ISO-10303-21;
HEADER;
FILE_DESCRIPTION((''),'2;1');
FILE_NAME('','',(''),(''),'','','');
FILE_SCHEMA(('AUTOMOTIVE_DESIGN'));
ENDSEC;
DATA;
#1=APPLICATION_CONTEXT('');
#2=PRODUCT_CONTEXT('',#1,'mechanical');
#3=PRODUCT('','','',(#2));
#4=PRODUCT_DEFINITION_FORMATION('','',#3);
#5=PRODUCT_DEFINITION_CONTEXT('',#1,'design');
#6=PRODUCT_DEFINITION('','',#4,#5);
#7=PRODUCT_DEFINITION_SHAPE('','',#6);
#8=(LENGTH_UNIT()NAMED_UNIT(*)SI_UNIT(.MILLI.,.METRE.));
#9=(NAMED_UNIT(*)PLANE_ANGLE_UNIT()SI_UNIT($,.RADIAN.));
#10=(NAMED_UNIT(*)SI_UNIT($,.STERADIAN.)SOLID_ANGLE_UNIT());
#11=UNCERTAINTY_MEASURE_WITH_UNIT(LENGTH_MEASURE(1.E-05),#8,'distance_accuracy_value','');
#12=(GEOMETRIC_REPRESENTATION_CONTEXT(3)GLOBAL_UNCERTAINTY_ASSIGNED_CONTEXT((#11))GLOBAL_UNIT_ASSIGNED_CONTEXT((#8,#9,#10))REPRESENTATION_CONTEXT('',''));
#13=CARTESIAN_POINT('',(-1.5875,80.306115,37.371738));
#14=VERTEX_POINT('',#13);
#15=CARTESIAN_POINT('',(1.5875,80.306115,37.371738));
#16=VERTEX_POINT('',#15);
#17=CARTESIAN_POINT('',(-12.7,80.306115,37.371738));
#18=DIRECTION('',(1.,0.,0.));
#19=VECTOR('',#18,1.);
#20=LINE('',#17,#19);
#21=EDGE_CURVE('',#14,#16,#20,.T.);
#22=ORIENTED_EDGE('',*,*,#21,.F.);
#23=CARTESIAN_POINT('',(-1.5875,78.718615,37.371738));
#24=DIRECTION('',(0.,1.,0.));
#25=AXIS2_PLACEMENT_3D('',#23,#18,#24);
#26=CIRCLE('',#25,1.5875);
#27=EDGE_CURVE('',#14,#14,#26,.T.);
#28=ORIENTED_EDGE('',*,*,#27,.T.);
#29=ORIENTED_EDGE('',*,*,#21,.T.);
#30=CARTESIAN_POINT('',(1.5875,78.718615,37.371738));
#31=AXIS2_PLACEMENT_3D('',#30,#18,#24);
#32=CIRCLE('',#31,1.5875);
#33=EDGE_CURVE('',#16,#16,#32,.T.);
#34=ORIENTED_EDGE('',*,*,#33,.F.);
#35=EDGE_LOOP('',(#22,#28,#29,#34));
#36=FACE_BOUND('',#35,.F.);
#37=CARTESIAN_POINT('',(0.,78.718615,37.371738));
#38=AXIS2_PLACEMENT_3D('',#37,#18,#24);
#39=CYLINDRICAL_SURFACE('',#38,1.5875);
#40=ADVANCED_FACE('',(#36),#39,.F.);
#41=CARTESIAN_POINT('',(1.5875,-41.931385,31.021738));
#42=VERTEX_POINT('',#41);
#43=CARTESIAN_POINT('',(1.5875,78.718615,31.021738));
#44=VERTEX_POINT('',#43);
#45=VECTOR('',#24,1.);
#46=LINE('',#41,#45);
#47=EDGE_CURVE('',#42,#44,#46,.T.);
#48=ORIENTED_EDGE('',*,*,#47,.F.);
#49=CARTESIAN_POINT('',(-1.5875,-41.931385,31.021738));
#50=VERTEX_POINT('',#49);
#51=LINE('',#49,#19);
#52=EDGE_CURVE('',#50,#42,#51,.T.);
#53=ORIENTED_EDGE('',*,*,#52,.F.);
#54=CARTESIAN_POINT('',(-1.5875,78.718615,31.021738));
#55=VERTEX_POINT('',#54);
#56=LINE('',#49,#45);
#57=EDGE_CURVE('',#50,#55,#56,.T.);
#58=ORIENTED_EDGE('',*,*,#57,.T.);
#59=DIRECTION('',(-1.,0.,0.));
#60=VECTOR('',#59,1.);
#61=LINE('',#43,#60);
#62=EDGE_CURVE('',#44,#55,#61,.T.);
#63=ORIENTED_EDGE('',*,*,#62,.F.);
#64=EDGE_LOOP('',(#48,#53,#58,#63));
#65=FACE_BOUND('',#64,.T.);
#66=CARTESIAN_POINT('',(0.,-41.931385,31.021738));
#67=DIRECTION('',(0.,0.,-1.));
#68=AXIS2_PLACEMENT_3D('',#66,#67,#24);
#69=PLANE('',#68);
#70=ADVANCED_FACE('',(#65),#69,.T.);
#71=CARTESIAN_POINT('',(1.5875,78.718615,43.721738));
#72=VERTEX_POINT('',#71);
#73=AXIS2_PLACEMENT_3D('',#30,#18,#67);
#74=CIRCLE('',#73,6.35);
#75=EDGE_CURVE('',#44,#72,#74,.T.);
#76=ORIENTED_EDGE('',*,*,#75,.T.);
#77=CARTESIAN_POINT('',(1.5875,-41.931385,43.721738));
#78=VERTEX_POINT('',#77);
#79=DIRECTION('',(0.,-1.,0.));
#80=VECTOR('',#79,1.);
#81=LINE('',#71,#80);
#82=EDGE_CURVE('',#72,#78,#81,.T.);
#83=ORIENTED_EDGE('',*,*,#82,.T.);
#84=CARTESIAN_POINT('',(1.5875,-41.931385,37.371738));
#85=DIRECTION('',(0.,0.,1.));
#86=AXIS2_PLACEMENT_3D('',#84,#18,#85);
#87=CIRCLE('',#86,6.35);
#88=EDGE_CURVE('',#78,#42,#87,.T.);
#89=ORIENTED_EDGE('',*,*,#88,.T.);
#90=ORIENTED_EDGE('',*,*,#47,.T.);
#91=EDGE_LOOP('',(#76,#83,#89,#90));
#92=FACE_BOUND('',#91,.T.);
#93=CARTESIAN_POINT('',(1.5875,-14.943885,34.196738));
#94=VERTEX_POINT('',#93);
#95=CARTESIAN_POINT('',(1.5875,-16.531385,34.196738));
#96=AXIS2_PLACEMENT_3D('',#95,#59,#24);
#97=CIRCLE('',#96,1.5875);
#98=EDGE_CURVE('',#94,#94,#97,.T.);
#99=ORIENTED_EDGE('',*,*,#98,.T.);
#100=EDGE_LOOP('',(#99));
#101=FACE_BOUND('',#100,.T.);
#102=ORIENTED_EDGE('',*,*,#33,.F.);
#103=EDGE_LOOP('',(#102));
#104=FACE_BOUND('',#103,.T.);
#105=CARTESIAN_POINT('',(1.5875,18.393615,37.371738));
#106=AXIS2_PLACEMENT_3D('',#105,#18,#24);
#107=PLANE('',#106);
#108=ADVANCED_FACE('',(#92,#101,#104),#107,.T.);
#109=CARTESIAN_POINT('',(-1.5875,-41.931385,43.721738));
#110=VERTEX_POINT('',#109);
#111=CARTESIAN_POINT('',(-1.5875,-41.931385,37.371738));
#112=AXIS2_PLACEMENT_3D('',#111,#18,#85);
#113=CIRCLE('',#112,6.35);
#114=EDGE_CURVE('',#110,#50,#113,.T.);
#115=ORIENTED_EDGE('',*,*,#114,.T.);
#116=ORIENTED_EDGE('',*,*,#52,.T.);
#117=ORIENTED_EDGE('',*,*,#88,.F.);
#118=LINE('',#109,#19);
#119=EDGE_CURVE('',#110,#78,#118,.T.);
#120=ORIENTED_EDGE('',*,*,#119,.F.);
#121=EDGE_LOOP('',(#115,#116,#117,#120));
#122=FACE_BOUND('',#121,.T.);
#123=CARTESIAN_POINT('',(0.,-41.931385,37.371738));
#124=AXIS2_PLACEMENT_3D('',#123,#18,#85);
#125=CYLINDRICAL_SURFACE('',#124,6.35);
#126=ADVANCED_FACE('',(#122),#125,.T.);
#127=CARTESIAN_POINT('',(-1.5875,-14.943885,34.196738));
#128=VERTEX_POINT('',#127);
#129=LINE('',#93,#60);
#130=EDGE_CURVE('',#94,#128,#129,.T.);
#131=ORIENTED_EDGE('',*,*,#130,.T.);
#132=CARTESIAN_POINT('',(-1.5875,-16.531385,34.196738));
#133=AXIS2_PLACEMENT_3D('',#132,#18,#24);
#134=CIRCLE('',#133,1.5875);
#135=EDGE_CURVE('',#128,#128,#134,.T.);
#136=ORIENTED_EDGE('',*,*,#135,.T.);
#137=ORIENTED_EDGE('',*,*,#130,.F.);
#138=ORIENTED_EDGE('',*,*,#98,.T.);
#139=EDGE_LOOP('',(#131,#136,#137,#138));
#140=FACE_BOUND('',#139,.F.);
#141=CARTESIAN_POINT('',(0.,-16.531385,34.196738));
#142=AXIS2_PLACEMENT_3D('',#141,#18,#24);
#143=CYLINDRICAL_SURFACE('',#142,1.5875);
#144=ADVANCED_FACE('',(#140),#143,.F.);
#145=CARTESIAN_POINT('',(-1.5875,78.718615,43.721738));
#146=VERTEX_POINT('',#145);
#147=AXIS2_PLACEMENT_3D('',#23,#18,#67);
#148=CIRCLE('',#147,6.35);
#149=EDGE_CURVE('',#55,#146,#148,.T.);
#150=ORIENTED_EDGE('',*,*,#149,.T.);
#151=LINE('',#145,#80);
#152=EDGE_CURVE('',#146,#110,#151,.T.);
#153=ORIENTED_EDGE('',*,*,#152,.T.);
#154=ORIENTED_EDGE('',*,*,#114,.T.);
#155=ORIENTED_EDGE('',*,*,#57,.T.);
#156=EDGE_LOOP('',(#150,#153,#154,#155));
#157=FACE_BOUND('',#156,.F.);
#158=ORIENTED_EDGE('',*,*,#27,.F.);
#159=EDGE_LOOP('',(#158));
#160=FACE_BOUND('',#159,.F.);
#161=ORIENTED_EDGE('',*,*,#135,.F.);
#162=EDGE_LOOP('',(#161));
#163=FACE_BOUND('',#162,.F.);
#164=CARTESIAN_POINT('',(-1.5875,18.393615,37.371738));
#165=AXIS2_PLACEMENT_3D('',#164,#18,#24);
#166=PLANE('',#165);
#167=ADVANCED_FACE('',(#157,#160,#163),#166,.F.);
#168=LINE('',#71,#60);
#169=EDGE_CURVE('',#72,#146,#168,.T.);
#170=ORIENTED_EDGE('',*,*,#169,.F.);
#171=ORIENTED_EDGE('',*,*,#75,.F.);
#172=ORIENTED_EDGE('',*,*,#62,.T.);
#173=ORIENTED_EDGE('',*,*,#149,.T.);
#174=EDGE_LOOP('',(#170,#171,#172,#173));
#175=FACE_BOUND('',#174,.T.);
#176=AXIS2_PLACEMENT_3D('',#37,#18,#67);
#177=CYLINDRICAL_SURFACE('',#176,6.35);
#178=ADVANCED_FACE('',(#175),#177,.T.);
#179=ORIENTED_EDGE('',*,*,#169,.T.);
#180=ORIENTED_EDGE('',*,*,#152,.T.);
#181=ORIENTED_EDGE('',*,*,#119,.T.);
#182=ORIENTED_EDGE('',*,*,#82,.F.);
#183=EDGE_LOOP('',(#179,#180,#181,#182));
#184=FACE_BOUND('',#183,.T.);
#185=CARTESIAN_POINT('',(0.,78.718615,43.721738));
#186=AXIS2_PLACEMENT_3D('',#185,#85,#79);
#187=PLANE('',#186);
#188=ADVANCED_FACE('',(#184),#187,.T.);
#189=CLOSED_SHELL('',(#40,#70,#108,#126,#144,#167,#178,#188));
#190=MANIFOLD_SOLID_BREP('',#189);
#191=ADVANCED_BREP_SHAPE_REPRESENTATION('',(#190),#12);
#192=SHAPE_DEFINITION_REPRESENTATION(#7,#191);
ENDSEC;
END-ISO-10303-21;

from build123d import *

# Parameters (mm, degrees)
F3_DEPTH = 1.5875
F1_R     = 1.5875
F2_R     = 1.5875
F4_DEPTH = 12.7


with BuildPart() as f3:
    # F0 (on Right) → F3 (new body, symmetric)
    with BuildSketch(Plane.YZ):
        with BuildLine():
            Line((78.718615, 43.721738), (-41.931385, 43.721738))
            ThreePointArc((-41.931385, 43.721738), (-48.281385, 37.371738), (-41.931385, 31.021738))
            Line((-41.931385, 31.021738), (78.718615, 31.021738))
            ThreePointArc((78.718615, 31.021738), (85.068615, 37.371738), (78.718615, 43.721738))
        make_face()
    extrude(amount=F3_DEPTH, both=True)

    # F1 (on Right) + F2 (on Right) → F4 (cut, symmetric)
    with BuildSketch(Plane.YZ):
        with Locations((-16.531385, 34.196738)):
            Circle(F1_R)
    with BuildSketch(Plane.YZ):
        with Locations((78.718615, 37.371738)):
            Circle(F2_R)
    extrude(amount=F4_DEPTH, both=True, mode=Mode.SUBTRACT)


solid = f3.part
